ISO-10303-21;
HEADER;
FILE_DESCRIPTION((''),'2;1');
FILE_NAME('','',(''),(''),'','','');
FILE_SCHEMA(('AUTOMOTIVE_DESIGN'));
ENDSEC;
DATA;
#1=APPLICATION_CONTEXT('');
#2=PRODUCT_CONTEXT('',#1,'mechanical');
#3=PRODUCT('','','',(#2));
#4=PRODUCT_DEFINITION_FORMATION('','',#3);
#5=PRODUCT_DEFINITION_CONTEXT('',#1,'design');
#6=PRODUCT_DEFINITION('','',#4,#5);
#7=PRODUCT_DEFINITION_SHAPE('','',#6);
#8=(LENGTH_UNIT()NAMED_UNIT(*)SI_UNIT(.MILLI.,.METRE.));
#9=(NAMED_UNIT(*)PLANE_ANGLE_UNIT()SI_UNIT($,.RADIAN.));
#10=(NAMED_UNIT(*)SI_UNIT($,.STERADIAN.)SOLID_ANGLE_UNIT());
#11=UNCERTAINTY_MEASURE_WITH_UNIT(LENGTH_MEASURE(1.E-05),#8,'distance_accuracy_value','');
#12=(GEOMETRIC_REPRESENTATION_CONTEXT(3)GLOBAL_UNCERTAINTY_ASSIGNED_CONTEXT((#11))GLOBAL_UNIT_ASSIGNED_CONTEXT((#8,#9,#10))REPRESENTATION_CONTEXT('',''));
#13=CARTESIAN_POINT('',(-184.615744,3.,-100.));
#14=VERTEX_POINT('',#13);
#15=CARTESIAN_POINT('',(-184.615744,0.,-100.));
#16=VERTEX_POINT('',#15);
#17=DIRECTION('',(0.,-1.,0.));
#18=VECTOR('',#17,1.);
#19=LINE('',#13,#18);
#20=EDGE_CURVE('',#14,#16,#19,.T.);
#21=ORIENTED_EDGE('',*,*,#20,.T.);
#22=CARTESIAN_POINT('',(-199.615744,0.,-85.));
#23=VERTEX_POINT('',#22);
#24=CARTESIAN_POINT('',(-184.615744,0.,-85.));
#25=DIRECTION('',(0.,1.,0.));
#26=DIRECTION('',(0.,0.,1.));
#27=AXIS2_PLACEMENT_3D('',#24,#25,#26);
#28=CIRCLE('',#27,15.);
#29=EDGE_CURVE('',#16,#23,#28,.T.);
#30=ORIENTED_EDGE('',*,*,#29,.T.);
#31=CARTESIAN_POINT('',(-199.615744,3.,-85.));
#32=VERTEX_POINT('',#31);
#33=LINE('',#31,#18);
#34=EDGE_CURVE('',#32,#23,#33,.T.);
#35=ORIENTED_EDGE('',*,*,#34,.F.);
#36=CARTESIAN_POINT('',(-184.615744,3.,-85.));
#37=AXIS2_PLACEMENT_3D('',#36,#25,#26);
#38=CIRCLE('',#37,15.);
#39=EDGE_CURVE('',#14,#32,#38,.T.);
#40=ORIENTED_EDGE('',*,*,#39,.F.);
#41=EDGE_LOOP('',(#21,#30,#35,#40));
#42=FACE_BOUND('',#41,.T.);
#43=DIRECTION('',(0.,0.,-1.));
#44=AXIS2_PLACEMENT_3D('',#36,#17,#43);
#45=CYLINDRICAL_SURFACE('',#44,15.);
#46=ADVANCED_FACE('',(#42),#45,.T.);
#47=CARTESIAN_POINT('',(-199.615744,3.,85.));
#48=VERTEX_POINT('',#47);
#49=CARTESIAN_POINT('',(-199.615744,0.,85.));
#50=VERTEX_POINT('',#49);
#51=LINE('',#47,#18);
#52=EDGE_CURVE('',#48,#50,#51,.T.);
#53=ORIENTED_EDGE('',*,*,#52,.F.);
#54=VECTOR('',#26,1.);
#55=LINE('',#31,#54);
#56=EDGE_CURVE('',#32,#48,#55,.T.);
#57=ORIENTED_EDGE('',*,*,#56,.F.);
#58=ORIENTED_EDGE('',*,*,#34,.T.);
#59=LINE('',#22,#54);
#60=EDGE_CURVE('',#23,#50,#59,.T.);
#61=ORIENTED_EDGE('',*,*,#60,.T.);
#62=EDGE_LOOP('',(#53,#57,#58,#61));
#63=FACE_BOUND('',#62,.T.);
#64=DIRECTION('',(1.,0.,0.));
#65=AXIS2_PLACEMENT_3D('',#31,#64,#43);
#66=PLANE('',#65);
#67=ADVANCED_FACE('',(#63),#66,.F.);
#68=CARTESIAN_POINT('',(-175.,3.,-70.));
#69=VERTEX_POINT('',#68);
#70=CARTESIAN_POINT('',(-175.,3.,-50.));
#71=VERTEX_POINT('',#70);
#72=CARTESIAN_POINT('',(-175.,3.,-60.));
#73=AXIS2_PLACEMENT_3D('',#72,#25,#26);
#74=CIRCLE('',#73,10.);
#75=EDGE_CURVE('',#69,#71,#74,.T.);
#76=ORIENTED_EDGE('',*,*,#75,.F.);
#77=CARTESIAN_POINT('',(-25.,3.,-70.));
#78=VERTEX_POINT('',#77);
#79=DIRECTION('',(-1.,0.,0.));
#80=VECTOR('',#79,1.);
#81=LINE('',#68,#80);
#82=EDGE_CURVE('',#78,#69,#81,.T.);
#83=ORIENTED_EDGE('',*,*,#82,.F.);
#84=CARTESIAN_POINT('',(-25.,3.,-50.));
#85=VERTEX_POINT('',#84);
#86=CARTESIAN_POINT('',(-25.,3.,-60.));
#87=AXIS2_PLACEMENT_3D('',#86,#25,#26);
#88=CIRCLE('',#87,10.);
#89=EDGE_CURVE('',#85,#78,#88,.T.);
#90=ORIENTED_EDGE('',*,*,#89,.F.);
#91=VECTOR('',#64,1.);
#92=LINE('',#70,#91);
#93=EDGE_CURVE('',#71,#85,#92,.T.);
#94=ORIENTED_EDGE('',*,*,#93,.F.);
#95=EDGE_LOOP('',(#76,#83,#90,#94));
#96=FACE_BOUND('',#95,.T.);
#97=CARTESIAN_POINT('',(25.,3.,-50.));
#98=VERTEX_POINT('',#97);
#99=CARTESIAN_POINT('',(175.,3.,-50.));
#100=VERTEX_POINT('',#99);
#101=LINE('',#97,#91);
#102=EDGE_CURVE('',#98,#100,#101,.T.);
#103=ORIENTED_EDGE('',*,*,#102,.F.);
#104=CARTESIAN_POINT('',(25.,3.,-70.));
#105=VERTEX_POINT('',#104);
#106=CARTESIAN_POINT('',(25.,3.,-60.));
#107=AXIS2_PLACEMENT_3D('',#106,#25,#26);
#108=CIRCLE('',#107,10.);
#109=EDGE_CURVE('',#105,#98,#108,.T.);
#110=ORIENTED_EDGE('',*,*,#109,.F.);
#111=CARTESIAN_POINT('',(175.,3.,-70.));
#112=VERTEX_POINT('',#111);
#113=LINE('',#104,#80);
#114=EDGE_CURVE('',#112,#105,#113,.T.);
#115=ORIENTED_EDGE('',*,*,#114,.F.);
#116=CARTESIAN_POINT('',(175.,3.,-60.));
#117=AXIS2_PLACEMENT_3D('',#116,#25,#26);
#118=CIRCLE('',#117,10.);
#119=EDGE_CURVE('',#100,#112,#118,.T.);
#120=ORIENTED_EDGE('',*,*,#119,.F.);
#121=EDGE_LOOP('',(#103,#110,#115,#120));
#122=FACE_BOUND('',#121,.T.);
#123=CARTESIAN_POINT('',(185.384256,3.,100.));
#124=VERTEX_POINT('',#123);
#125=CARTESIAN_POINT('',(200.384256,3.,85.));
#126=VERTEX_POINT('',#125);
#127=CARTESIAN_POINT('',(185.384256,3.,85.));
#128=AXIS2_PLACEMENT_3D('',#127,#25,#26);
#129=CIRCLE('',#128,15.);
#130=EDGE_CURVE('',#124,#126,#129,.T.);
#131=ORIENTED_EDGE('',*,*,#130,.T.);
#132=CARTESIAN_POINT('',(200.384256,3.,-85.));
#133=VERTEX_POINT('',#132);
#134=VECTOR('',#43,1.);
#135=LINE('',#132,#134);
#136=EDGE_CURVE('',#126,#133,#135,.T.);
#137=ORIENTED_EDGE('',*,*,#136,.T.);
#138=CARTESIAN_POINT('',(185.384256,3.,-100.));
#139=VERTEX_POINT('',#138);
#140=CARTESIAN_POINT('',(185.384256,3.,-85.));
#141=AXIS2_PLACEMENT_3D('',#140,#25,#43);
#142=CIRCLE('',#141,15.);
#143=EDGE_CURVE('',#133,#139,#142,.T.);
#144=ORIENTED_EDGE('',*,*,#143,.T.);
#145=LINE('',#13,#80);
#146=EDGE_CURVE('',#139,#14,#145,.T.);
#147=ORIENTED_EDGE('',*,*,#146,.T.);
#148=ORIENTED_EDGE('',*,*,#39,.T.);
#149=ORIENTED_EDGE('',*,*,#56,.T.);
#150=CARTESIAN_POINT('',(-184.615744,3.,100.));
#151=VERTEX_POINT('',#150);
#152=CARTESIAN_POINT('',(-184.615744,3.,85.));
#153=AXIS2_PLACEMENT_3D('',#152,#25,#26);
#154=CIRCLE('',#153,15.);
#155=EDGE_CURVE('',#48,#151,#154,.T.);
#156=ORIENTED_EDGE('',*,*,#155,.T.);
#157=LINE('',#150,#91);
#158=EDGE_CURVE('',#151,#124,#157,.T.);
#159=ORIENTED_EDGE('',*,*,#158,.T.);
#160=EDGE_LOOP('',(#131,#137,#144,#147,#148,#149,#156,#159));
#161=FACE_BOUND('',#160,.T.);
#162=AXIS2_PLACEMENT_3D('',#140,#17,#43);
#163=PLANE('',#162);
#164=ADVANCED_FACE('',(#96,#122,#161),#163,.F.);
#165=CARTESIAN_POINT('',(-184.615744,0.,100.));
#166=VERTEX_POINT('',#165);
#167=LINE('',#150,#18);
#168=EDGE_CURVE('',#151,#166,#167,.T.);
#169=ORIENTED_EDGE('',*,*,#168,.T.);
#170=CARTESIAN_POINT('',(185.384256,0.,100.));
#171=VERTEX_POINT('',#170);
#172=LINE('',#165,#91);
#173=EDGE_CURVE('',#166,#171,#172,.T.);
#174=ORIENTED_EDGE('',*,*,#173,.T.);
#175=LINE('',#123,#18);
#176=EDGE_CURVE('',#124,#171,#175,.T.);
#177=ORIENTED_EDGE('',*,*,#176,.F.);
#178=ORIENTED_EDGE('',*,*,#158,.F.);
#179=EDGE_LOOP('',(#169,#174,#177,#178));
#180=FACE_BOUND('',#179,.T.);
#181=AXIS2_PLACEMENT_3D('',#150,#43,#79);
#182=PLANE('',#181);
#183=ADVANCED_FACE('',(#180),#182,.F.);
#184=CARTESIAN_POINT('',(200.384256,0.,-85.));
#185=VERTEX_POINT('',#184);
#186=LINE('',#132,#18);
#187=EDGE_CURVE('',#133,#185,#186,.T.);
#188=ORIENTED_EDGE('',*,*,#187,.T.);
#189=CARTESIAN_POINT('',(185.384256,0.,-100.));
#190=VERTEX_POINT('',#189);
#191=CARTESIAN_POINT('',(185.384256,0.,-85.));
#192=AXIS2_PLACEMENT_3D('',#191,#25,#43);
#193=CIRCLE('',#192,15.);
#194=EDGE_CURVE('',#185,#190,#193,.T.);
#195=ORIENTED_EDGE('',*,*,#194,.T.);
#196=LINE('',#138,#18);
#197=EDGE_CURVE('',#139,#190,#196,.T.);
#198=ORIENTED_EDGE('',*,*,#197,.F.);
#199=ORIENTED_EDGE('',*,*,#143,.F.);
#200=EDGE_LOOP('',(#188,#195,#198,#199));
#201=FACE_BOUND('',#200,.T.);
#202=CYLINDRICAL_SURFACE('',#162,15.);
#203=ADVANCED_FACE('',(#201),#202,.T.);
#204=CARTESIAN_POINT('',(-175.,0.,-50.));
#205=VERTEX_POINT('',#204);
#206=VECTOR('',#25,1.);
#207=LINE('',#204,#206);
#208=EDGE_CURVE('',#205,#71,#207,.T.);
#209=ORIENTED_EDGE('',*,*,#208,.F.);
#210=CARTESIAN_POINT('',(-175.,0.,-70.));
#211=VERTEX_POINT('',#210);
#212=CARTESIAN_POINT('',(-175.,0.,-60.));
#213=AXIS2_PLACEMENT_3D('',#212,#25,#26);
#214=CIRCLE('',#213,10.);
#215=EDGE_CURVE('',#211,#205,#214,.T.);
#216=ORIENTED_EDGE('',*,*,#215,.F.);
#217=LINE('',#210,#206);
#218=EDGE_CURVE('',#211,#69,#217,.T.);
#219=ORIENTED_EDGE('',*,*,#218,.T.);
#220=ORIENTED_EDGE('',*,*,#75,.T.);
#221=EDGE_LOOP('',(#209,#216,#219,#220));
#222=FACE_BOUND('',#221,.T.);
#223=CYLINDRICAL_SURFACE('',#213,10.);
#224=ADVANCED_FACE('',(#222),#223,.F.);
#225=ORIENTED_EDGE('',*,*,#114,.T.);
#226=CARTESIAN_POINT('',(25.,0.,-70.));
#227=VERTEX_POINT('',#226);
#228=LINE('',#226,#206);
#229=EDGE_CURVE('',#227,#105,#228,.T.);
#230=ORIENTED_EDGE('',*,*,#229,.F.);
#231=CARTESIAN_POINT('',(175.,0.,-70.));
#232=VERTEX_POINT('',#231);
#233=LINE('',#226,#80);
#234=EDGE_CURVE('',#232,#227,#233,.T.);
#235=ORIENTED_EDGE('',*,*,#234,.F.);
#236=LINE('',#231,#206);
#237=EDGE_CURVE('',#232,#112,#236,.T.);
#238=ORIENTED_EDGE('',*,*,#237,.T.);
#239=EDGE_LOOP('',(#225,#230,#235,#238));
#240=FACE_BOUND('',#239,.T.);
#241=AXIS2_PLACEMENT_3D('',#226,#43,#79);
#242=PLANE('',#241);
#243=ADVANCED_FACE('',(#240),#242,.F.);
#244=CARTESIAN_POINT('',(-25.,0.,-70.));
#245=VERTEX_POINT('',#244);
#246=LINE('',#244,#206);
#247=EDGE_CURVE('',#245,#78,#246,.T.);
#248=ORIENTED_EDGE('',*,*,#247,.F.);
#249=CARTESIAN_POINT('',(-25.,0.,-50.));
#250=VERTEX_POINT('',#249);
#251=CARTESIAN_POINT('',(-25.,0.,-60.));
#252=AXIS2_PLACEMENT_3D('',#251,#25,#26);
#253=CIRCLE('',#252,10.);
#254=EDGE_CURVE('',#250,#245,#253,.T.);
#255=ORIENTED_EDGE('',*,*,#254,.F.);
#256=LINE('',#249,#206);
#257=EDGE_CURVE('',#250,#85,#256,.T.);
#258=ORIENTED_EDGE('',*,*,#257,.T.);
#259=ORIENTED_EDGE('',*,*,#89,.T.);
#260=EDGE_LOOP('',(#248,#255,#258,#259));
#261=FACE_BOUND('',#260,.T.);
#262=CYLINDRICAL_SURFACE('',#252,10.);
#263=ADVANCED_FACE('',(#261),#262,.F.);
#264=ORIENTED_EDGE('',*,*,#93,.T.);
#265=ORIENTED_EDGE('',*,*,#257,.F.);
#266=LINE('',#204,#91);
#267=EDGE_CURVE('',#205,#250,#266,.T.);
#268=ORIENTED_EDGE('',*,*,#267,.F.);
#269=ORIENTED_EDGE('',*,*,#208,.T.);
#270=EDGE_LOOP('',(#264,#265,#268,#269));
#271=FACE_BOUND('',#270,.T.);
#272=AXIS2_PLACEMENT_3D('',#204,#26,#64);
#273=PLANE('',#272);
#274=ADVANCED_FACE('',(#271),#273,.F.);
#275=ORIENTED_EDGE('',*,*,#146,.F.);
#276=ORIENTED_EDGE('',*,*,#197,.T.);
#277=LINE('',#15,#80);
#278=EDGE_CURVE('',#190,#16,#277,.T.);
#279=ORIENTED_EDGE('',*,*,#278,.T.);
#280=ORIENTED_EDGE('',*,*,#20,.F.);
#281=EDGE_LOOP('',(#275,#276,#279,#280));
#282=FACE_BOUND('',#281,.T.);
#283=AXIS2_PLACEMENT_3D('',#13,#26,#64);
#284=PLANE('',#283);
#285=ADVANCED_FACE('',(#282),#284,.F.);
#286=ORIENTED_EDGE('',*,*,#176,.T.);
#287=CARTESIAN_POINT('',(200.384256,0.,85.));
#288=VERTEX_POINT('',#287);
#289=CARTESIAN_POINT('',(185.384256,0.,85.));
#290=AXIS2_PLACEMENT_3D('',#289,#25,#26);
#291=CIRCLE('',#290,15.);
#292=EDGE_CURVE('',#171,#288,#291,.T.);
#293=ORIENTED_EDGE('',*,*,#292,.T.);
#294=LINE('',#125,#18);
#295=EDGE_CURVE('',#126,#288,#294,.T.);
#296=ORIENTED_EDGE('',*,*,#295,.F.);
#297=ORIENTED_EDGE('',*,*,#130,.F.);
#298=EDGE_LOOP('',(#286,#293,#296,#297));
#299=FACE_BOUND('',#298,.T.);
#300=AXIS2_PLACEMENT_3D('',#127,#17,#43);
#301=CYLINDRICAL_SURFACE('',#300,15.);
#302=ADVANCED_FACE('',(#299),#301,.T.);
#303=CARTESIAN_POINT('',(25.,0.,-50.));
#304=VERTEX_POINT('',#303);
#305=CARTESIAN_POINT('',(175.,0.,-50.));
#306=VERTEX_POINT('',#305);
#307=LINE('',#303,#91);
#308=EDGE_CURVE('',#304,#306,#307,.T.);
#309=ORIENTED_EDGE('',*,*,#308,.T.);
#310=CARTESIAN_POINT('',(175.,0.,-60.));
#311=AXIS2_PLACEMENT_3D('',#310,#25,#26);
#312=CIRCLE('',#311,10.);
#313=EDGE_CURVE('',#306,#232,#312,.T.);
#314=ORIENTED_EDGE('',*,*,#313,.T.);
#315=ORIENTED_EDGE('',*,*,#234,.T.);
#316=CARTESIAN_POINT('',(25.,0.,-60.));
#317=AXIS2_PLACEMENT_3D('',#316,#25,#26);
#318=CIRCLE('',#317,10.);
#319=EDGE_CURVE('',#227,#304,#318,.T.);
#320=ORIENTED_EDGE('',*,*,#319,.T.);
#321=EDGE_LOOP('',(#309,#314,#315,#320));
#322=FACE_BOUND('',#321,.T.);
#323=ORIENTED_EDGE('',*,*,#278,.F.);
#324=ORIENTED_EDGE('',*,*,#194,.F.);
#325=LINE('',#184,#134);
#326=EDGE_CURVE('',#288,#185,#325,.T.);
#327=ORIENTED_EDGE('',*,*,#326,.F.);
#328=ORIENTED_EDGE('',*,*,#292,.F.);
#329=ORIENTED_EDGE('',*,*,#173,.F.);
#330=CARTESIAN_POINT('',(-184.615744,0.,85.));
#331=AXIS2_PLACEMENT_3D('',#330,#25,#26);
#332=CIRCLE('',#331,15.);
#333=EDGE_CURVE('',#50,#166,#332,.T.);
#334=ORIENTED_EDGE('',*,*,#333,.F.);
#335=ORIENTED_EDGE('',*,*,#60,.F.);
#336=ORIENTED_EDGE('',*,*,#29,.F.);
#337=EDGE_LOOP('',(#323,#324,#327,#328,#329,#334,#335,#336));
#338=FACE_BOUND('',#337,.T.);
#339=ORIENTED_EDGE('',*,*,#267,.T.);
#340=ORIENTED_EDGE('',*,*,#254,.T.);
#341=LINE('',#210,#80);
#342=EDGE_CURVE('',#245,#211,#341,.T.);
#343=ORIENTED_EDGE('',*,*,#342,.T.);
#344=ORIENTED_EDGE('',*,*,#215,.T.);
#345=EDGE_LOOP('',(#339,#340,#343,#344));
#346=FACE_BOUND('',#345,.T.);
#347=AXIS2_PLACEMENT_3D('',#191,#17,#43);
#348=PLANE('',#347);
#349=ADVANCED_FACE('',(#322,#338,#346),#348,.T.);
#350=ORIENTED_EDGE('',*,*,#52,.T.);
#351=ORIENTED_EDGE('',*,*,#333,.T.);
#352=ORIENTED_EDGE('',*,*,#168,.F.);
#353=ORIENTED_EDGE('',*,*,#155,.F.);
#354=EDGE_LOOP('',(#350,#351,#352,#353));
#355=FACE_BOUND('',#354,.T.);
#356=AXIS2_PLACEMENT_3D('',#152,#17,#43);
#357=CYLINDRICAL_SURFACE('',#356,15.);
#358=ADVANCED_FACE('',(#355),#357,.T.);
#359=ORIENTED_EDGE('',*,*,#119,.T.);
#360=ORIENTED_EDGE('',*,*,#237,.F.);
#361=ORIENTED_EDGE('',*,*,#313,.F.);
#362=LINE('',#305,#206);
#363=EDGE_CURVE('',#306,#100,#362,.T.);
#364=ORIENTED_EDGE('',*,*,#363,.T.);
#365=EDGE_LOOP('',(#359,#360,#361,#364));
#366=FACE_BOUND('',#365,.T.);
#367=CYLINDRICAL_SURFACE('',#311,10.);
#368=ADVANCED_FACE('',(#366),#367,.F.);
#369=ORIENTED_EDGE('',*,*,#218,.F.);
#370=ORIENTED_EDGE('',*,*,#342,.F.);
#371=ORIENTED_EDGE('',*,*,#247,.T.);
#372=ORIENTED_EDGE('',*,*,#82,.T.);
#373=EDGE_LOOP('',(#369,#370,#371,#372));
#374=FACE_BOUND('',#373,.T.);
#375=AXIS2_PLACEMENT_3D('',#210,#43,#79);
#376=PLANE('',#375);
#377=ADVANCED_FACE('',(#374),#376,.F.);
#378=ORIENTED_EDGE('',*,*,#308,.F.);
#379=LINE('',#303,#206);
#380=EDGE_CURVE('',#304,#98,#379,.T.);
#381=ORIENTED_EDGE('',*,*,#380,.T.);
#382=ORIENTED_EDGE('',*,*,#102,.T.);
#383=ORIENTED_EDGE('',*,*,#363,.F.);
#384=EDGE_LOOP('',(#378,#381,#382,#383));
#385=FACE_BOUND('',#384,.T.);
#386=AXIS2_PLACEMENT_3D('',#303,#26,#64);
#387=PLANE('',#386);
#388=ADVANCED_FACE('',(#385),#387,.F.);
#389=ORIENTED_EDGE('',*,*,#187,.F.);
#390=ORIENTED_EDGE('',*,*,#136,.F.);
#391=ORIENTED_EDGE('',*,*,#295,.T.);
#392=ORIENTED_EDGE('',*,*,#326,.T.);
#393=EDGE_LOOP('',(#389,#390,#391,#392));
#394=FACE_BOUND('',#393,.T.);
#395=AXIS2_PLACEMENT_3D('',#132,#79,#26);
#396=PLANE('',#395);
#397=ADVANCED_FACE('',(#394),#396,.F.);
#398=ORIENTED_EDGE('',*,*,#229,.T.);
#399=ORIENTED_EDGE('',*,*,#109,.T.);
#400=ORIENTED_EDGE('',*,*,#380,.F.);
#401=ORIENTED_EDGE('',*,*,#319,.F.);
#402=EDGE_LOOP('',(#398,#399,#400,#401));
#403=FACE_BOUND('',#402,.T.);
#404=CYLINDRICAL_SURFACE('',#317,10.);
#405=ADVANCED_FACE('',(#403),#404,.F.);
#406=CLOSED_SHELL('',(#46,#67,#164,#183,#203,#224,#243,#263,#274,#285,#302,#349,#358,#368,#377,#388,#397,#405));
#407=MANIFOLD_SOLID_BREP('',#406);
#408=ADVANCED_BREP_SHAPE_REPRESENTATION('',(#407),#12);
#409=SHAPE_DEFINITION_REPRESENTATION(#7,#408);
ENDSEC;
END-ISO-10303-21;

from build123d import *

# Parameters (mm, degrees)
EXTRUDE_1_DEPTH     = 3
CUT_EXTRUDE_3_DEPTH = 3


with BuildPart() as part:
    # 草图1 → 凸台-拉伸1 (new body)
    with BuildSketch(Plane(origin=(0, 0, 0), x_dir=(1, 0, 0), z_dir=(0, 1, 0))):
        with BuildLine():
            Line((-184.615743852, 100), (185.384256148, 100))
            ThreePointArc((185.384256148, 100), (195.990857866, 95.606601718), (200.384256148, 85))
            Line((200.384256148, 85), (200.384256148, -85))
            ThreePointArc((200.384256148, -85), (195.990857866, -95.606601718), (185.384256148, -100))
            Line((185.384256148, -100), (-184.615743852, -100))
            ThreePointArc((-184.615743852, -100), (-195.22234557, -95.606601718), (-199.615743852, -85))
            Line((-199.615743852, -85), (-199.615743852, 85))
            ThreePointArc((-199.615743852, 85), (-195.22234557, 95.606601718), (-184.615743852, 100))
        make_face()
    extrude(amount=EXTRUDE_1_DEPTH)

    # 草图2 → 切除-拉伸3 (cut)
    with BuildSketch(Plane(origin=(0, 3, 0), x_dir=(1, 0, 0), z_dir=(0, 1, 0))):
        with BuildLine():
            Line((-175, 70), (-25, 70))
            ThreePointArc((-25, 70), (-15, 60), (-25, 50))
            Line((-25, 50), (-175, 50))
            ThreePointArc((-175, 50), (-185, 60), (-175, 70))
        make_face()
        with BuildLine():
            Line((25, 50), (175, 50))
            ThreePointArc((175, 50), (185, 60), (175, 70))
            Line((175, 70), (25, 70))
            ThreePointArc((25, 70), (15, 60), (25, 50))
        make_face()
    extrude(amount=-CUT_EXTRUDE_3_DEPTH, mode=Mode.SUBTRACT)


solid = part.part
